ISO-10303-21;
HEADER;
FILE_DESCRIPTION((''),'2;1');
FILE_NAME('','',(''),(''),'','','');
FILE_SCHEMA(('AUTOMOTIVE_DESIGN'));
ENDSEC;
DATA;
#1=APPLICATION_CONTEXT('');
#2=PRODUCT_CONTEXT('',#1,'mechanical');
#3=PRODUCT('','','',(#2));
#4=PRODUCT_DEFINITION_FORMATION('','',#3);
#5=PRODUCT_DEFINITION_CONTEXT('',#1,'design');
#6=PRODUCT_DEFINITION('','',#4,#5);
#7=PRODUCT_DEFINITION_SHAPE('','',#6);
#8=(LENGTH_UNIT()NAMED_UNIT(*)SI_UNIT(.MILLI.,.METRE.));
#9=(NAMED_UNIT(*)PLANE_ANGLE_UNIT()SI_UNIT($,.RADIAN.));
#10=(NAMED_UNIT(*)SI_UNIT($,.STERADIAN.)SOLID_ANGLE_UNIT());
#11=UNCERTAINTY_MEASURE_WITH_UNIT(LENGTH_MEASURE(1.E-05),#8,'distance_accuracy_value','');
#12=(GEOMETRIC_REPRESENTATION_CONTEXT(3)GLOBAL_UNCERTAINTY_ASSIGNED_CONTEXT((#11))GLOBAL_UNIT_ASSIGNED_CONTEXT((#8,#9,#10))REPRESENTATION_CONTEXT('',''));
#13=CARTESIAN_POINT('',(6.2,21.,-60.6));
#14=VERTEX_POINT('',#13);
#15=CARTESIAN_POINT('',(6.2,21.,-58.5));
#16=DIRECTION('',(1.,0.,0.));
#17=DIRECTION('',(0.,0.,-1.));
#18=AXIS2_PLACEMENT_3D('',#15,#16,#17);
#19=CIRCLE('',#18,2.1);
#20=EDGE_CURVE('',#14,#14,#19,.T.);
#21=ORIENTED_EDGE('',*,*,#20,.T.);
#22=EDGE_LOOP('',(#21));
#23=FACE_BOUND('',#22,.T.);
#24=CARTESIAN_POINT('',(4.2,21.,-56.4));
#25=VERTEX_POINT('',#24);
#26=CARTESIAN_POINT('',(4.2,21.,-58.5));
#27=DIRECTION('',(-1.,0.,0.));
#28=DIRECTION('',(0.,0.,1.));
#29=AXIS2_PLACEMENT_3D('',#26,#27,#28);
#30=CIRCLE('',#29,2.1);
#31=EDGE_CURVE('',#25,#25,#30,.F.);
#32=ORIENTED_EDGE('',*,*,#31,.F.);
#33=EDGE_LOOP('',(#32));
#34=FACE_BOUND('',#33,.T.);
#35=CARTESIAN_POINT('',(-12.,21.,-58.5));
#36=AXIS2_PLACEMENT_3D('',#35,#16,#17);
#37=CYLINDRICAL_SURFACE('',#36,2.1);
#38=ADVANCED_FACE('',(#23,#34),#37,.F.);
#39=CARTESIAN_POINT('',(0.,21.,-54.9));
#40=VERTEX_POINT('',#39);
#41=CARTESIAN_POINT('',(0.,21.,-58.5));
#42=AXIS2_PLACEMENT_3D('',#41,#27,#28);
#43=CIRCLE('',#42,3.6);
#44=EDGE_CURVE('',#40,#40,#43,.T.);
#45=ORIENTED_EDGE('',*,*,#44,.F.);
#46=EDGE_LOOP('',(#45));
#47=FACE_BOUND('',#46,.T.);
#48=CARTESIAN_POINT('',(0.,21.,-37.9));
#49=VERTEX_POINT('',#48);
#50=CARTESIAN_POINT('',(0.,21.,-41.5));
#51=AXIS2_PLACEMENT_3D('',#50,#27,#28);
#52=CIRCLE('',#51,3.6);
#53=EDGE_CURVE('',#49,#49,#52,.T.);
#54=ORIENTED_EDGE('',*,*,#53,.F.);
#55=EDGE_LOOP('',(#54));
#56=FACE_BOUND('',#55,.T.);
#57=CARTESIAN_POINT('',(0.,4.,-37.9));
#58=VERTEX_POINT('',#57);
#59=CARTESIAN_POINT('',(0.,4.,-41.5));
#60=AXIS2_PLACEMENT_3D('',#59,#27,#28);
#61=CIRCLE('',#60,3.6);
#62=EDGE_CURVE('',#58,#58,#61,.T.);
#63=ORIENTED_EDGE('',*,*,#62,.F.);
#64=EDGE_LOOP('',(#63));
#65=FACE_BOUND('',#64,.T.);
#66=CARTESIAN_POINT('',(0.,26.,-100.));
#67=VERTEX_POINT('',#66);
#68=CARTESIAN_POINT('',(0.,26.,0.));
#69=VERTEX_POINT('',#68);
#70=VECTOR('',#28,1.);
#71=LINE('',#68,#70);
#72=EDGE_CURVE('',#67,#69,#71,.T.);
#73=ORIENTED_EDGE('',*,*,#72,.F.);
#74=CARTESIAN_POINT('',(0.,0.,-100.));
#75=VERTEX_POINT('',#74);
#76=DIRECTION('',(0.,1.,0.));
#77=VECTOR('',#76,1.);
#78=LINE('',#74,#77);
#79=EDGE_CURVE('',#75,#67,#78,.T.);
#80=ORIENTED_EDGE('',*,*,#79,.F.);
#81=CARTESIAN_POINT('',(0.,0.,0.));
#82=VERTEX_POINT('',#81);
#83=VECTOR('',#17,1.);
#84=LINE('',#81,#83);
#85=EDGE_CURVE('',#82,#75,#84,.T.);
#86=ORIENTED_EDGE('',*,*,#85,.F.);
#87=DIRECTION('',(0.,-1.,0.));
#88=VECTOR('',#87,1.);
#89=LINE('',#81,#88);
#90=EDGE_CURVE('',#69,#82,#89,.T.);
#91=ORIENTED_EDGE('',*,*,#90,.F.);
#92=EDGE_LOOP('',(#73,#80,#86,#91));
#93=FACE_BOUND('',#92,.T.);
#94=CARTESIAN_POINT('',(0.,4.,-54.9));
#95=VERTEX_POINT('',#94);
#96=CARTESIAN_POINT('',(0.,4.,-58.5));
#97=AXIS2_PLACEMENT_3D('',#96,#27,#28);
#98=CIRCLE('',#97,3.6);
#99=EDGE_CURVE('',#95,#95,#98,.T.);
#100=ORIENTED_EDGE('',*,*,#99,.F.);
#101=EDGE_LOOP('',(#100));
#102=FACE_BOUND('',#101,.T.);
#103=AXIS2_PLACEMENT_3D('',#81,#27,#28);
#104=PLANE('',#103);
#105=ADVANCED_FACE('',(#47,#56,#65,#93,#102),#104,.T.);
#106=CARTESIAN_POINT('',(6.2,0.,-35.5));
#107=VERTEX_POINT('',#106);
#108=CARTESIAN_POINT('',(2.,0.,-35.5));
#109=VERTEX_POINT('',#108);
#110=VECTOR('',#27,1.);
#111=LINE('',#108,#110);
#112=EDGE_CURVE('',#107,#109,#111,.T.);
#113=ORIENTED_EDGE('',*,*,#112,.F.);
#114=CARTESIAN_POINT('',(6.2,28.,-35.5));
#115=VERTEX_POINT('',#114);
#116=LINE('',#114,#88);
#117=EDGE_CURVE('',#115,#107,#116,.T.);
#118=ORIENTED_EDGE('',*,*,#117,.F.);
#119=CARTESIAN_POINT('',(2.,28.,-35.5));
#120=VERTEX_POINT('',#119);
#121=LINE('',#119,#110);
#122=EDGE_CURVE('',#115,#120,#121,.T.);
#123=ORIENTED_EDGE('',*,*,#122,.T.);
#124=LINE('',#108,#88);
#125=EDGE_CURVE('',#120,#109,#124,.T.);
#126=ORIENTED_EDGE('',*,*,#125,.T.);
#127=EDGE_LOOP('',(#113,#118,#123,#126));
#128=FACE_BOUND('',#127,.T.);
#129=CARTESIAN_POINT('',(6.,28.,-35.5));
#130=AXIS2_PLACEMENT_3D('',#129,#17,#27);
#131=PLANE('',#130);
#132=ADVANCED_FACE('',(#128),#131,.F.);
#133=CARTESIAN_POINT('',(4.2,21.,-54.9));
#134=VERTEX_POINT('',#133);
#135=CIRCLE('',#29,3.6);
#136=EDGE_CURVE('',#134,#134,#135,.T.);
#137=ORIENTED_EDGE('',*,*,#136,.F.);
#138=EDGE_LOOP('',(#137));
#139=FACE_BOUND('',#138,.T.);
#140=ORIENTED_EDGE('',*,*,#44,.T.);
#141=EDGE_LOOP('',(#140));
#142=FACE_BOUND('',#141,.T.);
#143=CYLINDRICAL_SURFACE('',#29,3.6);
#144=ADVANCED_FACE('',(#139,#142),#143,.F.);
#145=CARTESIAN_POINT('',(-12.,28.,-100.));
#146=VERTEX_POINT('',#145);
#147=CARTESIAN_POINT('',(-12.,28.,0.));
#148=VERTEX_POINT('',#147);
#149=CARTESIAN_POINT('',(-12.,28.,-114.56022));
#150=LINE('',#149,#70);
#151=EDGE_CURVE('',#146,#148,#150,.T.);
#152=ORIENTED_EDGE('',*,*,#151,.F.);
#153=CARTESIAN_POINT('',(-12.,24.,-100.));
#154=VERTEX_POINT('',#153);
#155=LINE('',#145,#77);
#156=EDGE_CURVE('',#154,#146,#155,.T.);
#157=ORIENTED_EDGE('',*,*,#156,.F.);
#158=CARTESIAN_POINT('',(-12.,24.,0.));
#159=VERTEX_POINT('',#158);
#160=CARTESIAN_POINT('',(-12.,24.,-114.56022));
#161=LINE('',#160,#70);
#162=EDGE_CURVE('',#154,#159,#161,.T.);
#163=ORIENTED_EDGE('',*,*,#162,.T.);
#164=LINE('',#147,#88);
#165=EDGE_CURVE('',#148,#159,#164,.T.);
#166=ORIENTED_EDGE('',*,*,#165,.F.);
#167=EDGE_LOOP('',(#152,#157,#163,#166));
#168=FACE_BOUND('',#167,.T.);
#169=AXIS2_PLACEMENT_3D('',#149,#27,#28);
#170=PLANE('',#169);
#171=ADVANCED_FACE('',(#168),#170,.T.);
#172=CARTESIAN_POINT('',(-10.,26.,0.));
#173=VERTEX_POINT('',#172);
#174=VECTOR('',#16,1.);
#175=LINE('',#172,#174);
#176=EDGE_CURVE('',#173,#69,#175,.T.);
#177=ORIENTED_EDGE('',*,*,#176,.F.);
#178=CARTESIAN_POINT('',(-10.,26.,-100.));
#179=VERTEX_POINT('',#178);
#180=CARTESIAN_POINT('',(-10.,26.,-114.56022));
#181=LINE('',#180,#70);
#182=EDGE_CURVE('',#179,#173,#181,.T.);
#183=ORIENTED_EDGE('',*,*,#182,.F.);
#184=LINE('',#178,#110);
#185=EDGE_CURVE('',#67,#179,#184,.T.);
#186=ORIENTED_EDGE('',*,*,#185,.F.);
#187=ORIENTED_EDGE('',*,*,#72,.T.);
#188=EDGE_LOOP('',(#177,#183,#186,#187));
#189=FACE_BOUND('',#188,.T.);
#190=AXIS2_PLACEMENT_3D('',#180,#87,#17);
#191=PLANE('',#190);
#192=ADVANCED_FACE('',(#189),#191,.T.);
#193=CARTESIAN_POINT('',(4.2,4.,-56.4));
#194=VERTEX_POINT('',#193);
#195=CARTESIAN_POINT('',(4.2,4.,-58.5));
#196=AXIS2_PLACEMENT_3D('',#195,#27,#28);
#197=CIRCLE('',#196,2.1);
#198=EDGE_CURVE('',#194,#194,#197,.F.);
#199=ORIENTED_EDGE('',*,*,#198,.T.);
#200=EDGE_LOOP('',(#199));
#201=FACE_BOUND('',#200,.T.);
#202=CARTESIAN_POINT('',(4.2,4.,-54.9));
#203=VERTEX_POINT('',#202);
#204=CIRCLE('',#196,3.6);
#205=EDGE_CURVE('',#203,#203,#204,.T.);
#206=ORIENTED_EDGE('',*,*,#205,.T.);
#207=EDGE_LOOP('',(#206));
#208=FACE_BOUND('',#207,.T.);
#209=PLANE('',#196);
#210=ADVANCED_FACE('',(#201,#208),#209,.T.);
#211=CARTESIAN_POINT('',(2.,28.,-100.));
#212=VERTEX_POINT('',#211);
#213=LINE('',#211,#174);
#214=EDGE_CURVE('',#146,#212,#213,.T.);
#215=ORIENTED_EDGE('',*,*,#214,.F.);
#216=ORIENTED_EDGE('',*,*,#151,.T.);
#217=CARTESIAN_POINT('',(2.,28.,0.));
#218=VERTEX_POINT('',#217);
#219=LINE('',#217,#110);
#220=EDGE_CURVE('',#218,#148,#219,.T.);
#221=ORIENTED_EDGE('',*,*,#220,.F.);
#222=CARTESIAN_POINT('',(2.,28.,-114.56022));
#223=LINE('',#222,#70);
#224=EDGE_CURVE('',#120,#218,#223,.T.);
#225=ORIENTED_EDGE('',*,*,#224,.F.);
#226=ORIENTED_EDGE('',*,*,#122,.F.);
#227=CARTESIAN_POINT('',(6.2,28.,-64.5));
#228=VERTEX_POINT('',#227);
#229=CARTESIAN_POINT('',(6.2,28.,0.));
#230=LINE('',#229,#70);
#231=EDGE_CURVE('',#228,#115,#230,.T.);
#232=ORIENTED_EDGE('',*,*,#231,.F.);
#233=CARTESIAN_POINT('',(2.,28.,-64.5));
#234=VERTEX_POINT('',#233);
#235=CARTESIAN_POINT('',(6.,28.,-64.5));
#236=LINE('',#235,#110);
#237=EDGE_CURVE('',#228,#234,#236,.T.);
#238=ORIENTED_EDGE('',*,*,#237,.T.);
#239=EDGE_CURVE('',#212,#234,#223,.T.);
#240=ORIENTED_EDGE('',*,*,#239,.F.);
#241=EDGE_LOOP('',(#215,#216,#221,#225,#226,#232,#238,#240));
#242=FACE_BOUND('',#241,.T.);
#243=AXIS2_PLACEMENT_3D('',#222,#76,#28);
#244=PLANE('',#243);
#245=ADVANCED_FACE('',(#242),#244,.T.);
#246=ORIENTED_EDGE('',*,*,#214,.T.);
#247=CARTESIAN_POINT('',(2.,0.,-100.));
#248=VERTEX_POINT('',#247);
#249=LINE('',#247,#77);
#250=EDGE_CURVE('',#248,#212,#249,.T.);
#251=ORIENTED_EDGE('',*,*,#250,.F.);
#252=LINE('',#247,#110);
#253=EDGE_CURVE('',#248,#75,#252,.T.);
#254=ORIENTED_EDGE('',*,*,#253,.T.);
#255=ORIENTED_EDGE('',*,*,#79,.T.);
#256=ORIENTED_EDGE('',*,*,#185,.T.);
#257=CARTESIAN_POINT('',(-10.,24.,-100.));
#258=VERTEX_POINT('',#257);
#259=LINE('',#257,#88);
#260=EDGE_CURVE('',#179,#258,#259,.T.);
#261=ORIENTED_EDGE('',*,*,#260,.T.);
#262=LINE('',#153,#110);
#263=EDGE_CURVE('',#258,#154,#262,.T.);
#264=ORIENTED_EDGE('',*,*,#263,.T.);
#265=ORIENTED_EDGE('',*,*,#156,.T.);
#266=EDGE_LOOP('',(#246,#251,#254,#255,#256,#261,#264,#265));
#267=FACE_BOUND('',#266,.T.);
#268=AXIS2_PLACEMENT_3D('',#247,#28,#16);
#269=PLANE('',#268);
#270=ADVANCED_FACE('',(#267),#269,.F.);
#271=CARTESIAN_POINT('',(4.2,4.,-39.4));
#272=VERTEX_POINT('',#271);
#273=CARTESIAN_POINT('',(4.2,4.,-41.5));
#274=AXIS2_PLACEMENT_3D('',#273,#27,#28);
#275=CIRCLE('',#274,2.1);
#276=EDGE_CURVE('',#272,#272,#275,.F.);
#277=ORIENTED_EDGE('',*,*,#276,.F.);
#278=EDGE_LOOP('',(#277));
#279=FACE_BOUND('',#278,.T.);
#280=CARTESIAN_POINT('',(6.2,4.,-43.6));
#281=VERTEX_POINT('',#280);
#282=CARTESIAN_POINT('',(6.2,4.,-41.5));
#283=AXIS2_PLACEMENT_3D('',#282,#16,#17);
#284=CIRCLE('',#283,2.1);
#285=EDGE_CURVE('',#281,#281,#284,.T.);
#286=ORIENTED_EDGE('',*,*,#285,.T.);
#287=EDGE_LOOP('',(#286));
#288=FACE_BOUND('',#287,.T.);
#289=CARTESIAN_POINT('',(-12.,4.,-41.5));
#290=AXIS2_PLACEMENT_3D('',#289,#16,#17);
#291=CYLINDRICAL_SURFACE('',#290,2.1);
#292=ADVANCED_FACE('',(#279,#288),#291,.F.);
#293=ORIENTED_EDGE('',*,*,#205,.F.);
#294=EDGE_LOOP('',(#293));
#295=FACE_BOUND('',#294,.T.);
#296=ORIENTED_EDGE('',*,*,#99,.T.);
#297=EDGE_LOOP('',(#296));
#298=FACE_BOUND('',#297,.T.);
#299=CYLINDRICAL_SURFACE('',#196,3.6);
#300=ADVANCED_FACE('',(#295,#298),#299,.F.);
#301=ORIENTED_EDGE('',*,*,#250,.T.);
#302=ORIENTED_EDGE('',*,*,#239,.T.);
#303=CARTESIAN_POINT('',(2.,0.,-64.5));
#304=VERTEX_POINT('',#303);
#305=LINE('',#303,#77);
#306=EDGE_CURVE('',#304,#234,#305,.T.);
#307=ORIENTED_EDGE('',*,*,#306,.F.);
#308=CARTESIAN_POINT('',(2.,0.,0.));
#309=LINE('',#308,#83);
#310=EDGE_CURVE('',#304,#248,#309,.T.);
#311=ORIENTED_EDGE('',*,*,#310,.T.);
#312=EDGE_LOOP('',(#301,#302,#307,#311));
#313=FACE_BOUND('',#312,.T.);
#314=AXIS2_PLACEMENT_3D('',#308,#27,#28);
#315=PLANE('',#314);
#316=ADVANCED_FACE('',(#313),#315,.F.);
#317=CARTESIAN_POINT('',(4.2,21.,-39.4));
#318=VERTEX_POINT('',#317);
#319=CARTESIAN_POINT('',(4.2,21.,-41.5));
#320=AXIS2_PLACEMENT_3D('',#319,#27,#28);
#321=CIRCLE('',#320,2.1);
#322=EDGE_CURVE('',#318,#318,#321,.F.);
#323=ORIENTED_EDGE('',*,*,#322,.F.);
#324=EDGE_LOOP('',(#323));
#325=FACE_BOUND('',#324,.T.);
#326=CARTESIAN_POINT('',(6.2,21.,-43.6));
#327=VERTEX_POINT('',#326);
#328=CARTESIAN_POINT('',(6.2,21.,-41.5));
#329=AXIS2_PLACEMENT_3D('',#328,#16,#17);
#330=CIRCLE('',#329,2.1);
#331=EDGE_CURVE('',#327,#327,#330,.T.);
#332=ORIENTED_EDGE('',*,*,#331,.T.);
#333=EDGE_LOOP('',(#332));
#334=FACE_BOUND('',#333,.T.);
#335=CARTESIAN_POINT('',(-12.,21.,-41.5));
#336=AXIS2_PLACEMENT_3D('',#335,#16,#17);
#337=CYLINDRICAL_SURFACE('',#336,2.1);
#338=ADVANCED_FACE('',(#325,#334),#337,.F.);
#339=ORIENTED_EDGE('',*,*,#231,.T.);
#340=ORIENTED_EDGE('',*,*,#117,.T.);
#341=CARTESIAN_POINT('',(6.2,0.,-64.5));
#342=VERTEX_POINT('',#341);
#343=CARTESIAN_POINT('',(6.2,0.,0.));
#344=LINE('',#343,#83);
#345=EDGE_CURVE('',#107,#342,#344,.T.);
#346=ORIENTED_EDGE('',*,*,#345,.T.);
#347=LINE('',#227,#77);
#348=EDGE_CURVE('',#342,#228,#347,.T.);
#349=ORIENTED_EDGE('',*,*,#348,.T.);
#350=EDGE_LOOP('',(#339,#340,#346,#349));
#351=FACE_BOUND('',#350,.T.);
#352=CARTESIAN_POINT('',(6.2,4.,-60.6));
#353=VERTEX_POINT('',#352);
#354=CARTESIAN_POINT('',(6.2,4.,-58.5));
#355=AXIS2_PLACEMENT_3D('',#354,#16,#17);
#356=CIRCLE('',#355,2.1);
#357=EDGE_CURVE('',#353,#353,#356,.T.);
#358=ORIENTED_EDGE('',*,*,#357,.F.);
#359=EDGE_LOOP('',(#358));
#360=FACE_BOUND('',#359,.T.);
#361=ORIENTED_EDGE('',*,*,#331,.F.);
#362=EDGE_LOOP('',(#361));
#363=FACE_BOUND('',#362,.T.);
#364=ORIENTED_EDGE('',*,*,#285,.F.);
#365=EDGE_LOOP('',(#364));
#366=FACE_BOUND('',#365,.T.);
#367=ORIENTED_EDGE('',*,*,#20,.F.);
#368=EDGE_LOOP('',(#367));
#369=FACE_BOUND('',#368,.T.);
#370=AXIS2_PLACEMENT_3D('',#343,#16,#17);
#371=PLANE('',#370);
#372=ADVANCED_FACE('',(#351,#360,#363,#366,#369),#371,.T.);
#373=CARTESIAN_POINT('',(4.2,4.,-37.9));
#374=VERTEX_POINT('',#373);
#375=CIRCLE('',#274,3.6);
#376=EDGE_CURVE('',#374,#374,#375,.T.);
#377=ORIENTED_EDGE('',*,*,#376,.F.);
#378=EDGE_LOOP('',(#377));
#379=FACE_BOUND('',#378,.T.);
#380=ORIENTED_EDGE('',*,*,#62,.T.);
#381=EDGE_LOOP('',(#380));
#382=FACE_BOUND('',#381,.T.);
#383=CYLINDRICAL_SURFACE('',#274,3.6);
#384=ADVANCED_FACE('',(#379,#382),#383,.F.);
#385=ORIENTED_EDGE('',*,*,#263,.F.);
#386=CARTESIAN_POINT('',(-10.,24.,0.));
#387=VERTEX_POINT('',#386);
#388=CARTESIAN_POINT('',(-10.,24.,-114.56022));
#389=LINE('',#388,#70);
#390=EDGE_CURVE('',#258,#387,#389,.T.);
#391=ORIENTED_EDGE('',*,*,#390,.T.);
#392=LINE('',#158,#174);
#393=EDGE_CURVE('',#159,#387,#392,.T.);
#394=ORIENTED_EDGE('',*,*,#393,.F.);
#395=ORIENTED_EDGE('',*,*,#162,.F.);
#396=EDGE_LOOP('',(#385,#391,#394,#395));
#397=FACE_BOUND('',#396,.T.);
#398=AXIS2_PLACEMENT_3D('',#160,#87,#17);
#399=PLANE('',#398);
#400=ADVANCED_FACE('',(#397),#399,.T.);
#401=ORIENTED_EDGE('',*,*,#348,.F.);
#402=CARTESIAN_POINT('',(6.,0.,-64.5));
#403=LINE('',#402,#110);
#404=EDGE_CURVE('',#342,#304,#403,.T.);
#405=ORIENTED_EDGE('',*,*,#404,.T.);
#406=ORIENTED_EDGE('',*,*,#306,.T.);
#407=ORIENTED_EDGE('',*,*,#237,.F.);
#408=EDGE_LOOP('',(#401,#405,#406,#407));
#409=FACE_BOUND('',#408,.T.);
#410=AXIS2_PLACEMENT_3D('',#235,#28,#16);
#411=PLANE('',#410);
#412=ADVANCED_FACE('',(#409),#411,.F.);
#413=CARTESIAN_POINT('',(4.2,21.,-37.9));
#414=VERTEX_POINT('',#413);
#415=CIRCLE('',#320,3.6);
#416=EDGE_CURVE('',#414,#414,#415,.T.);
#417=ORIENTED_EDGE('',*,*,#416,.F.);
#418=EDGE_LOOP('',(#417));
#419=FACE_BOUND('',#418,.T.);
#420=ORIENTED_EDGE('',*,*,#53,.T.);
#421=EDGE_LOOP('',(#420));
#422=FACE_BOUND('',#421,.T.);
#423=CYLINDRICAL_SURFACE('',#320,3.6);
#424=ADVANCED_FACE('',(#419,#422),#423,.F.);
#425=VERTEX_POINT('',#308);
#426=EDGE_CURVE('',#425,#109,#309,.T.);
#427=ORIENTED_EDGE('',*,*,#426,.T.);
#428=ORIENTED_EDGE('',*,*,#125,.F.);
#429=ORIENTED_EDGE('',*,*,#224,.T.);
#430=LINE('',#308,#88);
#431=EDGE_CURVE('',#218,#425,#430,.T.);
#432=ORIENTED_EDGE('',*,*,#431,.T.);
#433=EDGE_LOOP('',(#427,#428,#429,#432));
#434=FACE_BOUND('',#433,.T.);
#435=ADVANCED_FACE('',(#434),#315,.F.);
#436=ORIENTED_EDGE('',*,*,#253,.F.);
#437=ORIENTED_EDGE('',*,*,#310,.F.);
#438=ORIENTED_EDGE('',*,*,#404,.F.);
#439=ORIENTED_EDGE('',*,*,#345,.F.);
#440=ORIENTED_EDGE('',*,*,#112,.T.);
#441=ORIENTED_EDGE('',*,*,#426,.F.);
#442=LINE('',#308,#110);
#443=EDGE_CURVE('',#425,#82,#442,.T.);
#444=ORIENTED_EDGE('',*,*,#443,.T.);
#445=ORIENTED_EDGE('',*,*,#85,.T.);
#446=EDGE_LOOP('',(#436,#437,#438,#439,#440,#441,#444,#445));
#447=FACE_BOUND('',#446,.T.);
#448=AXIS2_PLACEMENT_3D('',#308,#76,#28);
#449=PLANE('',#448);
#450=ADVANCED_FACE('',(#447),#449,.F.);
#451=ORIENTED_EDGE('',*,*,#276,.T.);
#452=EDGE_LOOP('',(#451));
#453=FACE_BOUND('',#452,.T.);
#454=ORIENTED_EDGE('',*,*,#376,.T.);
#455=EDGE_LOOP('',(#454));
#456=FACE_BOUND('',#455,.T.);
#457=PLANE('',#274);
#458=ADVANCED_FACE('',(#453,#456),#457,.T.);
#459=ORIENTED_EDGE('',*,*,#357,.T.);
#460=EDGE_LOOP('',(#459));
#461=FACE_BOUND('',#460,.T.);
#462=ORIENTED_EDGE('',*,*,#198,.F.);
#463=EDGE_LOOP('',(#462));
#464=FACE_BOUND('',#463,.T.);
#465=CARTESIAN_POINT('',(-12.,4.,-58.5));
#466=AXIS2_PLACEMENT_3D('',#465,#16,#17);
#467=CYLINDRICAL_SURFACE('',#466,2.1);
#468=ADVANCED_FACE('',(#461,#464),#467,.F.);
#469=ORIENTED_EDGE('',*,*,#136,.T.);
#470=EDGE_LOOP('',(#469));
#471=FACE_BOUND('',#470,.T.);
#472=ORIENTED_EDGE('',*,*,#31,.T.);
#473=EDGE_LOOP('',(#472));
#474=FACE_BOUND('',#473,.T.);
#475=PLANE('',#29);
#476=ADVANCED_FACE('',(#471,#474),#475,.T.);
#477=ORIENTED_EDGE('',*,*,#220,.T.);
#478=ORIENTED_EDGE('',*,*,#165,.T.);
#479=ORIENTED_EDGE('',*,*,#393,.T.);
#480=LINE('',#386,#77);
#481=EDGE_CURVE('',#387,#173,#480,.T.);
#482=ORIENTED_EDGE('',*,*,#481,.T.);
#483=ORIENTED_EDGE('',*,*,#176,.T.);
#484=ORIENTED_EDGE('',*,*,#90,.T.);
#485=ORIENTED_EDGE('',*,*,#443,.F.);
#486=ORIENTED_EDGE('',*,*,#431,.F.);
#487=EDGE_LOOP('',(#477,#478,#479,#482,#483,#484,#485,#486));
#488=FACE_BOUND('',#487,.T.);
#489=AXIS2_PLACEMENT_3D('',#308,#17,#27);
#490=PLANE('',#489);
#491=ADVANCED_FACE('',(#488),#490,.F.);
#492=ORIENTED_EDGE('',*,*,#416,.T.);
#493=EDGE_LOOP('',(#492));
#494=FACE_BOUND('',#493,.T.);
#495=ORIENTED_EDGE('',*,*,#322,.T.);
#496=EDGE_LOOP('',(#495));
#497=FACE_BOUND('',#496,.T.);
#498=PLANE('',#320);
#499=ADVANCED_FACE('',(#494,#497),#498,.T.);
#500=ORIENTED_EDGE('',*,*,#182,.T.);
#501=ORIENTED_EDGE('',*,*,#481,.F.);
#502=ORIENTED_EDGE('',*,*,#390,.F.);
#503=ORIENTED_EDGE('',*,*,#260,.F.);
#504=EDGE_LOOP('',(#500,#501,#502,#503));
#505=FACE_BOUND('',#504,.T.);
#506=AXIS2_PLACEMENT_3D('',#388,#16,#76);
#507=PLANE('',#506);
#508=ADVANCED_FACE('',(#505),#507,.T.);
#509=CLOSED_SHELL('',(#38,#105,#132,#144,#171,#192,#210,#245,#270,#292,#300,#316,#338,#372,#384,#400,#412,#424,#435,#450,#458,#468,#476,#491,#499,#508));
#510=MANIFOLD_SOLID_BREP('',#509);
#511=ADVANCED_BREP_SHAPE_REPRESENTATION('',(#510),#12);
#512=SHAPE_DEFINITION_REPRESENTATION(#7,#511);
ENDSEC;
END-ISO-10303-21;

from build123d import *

# Parameters (mm, degrees)
SKETCH1_W           = 100
SKETCH1_H           = 26
BOSS_EXTRUDE1_DEPTH = 2
BOSS_EXTRUDE2_DEPTH = 100
SKETCH3_W           = 25
SKETCH3_H           = 28
BOSS_EXTRUDE3_DEPTH = 4
SKETCH4_R           = 2.1
CUT_EXTRUDE1_DEPTH  = 106.39449701
MOVE_FACE1_BY       = 2
MOVE_FACE1_2_BY     = 2
SKETCH5_R           = 3.6
CUT_EXTRUDE2_DEPTH  = 4.2
MOVE_FACE2_BY       = 4
MOVE_FACE3_BY       = 3.8


with BuildPart() as part:
    # Sketch1 → Boss-Extrude1 (new body)
    with BuildSketch(Plane(origin=(0, 0, 0), x_dir=(0, 0, -1), z_dir=(1, 0, 0))):
        with Locations((50, 13)):
            Rectangle(SKETCH1_W, SKETCH1_H)
    extrude(amount=BOSS_EXTRUDE1_DEPTH)

    # Sketch2 → Boss-Extrude2 (add)
    with BuildSketch(Plane.XY):
        Polygon((2, 26), (2, 28), (-12, 28), (-12, 24), (-10, 24), (-10, 26), align=None)
    extrude(amount=-BOSS_EXTRUDE2_DEPTH)

    # Sketch3 → Boss-Extrude3 (add)
    with BuildSketch(Plane(origin=(2, 0, 0), x_dir=(0, 0, -1), z_dir=(1, 0, 0))):
        with Locations((50, 14)):
            Rectangle(SKETCH3_W, SKETCH3_H)
    extrude(amount=BOSS_EXTRUDE3_DEPTH)

    # Sketch4 → Cut-Extrude1 (cut, through all)
    with BuildSketch(Plane(origin=(6, 0, 0), x_dir=(0, 0, -1), z_dir=(1, 0, 0))):
        with Locations((41.5, 21)):
            Circle(SKETCH4_R)
        with Locations((58.5, 21)):
            Circle(SKETCH4_R)
        with Locations((58.5, 4)):
            Circle(SKETCH4_R)
        with Locations((41.5, 4)):
            Circle(SKETCH4_R)
    extrude(amount=-CUT_EXTRUDE1_DEPTH, mode=Mode.SUBTRACT)

    # Move Face1: a face moved outward by 2.0
    extrude(part.faces().sort_by_distance((4, 14, -37.5))[0], amount=MOVE_FACE1_BY, dir=(0, 0, 1))

    # Move Face1 2: a face moved outward by 2.0
    extrude(part.faces().sort_by_distance((4, 14, -62.5))[0], amount=MOVE_FACE1_2_BY, dir=(0, 0, -1))

    # Sketch5 → Cut-Extrude2 (cut)
    with BuildSketch(Plane.ZY):
        with Locations((-58.5, 21)):
            Circle(SKETCH5_R)
        with Locations((-41.5, 21)):
            Circle(SKETCH5_R)
        with Locations((-41.5, 4)):
            Circle(SKETCH5_R)
        with Locations((-58.5, 4)):
            Circle(SKETCH5_R)
    extrude(amount=-CUT_EXTRUDE2_DEPTH, mode=Mode.SUBTRACT)

    # Move Face2: a face moved outward by 4.0
    extrude(part.faces().sort_by_distance((6, 14.109871115, -50))[0], amount=MOVE_FACE2_BY, dir=(1, 0, 0))

    # Move Face3: a face moved inward by 3.8
    extrude(part.faces().sort_by_distance((10, 14.109871115, -50))[0], amount=MOVE_FACE3_BY, dir=(-1, 0, 0), mode=Mode.SUBTRACT)


solid = part.part
